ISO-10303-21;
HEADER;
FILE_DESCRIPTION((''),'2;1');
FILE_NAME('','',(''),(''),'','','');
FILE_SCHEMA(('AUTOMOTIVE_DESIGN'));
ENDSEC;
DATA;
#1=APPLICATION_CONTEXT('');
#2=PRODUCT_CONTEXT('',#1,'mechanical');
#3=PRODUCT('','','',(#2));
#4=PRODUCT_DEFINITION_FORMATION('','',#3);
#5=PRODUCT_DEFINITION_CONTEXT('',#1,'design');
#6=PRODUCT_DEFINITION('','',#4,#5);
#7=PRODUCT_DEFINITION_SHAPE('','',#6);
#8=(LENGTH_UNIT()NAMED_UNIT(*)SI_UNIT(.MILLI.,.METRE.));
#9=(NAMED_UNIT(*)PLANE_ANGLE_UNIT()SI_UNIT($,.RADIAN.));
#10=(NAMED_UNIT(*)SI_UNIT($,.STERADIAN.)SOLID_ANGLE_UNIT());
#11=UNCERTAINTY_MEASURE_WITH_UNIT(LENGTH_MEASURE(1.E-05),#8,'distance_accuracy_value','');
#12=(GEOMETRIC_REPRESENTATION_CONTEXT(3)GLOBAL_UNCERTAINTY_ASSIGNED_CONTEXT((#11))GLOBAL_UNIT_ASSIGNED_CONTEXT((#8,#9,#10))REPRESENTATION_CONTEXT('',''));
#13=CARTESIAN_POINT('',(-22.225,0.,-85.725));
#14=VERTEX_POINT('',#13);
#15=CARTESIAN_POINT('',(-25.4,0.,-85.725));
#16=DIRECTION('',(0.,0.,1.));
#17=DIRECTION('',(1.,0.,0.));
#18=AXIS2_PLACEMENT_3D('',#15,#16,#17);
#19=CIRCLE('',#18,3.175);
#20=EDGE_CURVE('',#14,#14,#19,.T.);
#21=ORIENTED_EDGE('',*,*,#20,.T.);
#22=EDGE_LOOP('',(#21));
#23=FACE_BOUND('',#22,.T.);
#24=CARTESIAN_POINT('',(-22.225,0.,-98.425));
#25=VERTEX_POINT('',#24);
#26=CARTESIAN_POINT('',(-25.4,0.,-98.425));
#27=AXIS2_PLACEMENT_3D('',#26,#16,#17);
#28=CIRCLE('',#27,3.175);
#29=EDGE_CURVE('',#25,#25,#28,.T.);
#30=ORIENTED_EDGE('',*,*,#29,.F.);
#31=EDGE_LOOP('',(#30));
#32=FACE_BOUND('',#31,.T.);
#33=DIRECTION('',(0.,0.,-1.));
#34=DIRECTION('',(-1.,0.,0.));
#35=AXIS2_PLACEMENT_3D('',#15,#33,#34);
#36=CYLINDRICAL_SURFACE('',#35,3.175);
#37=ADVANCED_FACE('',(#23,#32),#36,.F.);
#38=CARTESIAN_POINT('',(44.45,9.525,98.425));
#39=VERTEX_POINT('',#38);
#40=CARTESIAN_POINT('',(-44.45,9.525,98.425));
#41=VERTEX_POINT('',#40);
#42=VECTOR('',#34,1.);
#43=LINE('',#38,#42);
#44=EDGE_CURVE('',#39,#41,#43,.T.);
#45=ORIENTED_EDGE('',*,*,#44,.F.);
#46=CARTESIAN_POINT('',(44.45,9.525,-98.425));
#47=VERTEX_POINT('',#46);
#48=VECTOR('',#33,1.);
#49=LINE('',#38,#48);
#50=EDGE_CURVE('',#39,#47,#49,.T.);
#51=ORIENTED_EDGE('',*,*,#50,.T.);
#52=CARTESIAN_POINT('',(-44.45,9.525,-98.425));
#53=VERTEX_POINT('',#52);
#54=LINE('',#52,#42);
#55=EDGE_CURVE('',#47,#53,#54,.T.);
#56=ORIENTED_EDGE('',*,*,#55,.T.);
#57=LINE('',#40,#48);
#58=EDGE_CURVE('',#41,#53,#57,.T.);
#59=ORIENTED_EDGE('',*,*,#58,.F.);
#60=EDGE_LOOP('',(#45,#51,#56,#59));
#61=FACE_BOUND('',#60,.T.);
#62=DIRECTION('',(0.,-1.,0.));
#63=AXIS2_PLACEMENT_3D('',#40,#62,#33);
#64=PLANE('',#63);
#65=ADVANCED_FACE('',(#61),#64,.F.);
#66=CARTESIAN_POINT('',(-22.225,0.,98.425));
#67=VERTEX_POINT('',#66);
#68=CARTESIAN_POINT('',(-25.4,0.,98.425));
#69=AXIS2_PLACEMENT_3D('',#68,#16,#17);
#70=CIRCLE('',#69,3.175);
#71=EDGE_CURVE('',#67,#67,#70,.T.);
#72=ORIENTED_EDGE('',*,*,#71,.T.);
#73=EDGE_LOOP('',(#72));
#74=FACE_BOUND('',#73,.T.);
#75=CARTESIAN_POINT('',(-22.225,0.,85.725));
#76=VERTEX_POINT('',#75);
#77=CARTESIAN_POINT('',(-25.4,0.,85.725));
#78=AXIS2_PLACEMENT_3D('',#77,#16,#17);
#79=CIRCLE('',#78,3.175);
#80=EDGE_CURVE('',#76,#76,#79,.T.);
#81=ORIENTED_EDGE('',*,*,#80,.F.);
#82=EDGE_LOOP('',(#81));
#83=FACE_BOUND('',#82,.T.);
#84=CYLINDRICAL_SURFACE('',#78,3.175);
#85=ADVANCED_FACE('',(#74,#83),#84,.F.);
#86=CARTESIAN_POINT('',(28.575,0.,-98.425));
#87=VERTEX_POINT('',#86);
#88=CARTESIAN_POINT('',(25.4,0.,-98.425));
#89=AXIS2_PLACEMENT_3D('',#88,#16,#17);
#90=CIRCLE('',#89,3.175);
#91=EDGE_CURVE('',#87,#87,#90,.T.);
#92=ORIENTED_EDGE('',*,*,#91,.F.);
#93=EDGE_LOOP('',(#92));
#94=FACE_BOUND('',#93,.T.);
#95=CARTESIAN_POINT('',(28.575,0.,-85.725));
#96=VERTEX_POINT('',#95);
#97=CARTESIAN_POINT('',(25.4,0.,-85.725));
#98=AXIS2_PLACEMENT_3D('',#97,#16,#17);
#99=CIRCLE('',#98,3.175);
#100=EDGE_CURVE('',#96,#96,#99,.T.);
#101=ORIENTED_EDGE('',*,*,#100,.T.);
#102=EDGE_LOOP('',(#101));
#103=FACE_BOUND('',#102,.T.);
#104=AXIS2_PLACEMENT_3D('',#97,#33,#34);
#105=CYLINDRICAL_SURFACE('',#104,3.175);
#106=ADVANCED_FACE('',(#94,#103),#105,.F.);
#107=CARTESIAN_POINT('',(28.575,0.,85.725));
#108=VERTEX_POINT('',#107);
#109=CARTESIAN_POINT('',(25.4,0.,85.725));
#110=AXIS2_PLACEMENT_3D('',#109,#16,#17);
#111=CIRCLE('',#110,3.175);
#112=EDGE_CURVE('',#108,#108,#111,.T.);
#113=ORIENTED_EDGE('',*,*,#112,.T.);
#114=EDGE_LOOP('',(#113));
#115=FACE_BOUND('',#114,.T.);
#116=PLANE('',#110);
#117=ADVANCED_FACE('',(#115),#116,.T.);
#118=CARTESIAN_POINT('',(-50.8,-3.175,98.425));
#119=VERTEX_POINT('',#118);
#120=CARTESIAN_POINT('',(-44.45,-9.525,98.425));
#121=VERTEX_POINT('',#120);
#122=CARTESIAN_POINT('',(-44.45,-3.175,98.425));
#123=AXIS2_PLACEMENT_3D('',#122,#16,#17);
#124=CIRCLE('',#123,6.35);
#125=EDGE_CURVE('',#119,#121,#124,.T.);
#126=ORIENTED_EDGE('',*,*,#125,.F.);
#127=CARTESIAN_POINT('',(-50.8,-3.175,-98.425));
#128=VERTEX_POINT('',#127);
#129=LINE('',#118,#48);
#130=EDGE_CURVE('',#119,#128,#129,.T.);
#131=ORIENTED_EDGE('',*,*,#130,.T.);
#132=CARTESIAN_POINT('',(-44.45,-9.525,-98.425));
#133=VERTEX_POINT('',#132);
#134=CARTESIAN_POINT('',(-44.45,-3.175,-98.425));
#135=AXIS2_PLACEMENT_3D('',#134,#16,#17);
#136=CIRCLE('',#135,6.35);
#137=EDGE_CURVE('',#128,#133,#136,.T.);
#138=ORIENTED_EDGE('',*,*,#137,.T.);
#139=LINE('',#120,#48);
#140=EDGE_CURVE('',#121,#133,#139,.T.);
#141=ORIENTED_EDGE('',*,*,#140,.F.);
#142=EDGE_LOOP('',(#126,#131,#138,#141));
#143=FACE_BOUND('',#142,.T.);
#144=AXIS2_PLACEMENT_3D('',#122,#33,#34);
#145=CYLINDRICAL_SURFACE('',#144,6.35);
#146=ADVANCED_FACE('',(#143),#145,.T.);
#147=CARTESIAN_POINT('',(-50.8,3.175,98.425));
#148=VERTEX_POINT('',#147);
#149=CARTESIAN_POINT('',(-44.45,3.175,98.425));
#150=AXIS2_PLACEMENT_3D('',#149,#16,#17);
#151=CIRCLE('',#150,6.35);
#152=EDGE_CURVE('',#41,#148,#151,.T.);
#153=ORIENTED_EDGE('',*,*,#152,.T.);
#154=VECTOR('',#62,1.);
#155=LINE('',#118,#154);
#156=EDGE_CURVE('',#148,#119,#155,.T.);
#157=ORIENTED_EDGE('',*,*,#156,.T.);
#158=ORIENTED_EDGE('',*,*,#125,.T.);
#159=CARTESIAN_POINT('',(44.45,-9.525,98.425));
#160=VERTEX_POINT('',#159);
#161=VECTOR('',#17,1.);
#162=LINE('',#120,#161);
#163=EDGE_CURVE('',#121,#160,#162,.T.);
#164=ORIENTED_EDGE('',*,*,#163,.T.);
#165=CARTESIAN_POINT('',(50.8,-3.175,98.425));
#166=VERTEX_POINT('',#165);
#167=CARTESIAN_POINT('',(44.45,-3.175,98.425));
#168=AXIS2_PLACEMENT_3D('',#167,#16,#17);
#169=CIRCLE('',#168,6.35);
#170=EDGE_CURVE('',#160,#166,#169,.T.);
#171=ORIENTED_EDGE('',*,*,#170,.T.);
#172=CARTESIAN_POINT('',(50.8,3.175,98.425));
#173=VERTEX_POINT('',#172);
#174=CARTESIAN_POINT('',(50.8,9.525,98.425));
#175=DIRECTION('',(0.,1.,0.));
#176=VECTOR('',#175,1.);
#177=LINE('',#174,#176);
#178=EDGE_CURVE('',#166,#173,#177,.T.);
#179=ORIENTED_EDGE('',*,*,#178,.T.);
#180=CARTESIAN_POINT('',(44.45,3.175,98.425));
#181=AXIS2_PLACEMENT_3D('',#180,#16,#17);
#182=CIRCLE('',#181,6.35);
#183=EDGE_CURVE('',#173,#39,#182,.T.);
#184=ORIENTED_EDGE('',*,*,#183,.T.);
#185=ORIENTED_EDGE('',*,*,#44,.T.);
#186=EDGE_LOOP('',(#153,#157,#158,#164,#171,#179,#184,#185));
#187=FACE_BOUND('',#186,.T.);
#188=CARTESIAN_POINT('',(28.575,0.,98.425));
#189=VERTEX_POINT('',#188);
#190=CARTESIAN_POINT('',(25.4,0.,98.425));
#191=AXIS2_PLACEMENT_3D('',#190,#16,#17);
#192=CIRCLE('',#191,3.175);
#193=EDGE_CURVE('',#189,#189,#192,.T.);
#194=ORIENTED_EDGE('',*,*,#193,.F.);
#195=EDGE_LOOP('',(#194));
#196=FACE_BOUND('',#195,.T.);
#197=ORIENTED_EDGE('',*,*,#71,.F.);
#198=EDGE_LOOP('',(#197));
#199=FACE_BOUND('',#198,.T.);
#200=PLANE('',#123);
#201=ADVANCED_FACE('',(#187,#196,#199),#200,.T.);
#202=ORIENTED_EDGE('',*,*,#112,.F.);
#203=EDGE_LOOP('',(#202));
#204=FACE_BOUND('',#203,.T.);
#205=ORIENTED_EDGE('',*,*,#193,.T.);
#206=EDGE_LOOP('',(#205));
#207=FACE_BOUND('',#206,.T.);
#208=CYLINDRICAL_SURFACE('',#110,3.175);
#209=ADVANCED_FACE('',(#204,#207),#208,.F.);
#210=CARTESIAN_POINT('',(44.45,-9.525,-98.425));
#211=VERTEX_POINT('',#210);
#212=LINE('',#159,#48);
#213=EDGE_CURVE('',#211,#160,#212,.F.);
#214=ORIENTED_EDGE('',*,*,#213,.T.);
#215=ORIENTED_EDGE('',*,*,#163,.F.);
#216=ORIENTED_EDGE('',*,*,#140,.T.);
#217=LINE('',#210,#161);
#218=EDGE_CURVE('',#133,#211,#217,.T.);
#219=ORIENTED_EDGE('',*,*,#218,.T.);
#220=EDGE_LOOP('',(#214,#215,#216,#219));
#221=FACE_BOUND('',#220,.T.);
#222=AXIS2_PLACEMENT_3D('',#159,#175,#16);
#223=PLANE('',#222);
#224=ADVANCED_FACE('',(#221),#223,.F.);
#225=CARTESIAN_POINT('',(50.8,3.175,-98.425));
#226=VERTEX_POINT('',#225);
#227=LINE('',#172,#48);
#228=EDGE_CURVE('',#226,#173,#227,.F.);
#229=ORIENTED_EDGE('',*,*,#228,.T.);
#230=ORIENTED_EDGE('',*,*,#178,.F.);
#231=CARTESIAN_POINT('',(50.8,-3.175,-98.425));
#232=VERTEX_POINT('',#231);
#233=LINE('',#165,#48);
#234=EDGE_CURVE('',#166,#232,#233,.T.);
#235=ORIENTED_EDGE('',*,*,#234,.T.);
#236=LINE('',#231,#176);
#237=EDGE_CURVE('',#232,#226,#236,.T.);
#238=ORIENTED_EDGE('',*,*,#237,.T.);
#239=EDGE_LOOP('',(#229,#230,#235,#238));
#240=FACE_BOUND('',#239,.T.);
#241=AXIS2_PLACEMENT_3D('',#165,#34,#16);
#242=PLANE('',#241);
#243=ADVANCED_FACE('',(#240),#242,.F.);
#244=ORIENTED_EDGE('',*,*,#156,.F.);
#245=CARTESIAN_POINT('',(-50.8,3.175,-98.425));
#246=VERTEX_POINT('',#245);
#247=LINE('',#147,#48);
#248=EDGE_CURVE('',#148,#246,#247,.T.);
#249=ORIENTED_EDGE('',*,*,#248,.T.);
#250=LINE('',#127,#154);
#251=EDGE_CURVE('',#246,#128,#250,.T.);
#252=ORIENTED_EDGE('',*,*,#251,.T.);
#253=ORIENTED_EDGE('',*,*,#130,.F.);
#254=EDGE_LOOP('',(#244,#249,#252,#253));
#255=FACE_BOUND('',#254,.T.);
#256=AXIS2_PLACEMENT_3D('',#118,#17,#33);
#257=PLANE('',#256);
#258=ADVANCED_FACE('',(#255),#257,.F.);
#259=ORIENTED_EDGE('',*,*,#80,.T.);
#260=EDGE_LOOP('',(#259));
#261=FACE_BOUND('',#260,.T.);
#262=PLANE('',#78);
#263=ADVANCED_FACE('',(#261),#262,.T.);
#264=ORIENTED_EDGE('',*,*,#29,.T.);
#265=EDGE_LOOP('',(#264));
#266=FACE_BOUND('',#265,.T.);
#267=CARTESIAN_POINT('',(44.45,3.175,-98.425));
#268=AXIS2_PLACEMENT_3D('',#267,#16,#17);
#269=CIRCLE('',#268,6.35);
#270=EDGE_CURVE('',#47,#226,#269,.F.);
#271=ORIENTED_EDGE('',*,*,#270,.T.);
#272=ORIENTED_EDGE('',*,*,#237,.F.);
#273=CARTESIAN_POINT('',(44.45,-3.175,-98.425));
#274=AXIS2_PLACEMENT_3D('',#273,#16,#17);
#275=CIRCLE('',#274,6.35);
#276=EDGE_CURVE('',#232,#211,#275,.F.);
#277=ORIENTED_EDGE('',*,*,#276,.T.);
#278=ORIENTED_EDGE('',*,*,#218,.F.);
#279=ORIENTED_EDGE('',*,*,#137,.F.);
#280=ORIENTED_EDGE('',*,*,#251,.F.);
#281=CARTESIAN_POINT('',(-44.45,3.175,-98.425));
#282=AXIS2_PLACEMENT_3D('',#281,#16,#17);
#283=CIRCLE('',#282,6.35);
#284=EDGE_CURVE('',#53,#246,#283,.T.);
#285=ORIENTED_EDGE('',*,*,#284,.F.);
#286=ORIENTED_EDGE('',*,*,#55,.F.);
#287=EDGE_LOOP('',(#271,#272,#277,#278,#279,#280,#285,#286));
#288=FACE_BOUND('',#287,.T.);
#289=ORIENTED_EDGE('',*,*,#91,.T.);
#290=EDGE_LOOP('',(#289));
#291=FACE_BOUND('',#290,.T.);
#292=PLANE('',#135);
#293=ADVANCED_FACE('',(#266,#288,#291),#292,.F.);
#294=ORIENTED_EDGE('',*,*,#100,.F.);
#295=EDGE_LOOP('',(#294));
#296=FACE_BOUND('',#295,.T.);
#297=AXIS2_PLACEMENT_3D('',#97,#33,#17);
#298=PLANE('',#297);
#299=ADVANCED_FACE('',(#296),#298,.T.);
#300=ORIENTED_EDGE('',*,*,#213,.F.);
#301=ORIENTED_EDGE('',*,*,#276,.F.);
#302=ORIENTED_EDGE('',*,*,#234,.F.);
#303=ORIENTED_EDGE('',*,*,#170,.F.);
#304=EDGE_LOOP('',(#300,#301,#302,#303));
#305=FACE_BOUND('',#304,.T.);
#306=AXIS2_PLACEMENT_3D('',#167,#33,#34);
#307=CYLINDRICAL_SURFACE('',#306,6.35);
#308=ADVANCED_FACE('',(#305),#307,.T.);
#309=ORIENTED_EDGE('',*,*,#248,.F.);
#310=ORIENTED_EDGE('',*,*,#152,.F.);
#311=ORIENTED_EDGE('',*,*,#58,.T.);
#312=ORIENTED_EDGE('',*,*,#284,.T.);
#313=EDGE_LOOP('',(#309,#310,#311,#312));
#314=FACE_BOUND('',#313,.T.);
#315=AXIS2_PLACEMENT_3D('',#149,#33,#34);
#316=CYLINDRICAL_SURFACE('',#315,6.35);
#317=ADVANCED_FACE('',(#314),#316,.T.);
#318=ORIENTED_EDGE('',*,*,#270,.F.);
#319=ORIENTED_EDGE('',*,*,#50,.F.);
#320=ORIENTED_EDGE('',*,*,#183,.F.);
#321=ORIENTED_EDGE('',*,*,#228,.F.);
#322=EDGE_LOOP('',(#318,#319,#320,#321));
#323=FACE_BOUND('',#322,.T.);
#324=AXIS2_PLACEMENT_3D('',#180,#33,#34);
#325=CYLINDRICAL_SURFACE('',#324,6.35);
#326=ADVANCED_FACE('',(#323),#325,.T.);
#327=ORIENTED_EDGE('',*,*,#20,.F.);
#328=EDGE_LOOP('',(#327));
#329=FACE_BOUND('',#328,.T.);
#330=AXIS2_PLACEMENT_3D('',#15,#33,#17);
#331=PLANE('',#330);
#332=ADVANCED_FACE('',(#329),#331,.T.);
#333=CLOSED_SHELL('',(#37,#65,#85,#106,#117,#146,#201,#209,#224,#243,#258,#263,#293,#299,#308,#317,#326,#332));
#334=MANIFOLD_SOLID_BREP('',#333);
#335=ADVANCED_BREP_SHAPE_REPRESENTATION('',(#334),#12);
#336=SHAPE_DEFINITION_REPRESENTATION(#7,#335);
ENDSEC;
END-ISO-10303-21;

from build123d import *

# Parameters (mm, degrees)
BOSS_EXTRUDE1_DEPTH = 98.425
SKETCH2_R           = 3.175
CUT_EXTRUDE1_DEPTH  = 12.7
FILLET1_R           = 6.35


with BuildPart() as part:
    # Sketch1 → Boss-Extrude1 (new body, symmetric)
    with BuildSketch(Plane.XY):
        with BuildLine():
            Line((44.45, 9.525), (50.8, 9.525))
            Line((50.8, 9.525), (50.8, 3.175))
            Line((50.8, 3.175), (50.8, -3.175))
            Line((50.8, -3.175), (50.8, -9.525))
            Line((50.8, -9.525), (44.45, -9.525))
            Line((44.45, -9.525), (-44.45, -9.525))
            ThreePointArc((-44.45, -9.525), (-48.940128061, -7.665128061), (-50.8, -3.175))
            Line((-50.8, -3.175), (-50.8, 3.175))
            ThreePointArc((-50.8, 3.175), (-48.940128061, 7.665128061), (-44.45, 9.525))
            Line((-44.45, 9.525), (44.45, 9.525))
        make_face()
    extrude(amount=BOSS_EXTRUDE1_DEPTH, both=True)

    # Sketch2 → Cut-Extrude1 (cut)
    with BuildSketch(Plane.XY.offset(98.425)):
        with Locations((-25.4, 0)):
            Circle(SKETCH2_R)
        with Locations((25.4, 0)):
            Circle(SKETCH2_R)
    cut_extrude1 = extrude(amount=-CUT_EXTRUDE1_DEPTH, mode=Mode.SUBTRACT)

    # Fillet1
    fillet1_edges = [part.edges().sort_by_distance(p)[0] for p in [
        (50.8, -9.525, 0),
        (50.8, 9.525, 0),
    ]]
    fillet(fillet1_edges, radius=FILLET1_R)

    # Mirror1: Cut-Extrude1 across plane
    add(cut_extrude1.mirror(Plane.XY), mode=Mode.SUBTRACT)


solid = part.part
